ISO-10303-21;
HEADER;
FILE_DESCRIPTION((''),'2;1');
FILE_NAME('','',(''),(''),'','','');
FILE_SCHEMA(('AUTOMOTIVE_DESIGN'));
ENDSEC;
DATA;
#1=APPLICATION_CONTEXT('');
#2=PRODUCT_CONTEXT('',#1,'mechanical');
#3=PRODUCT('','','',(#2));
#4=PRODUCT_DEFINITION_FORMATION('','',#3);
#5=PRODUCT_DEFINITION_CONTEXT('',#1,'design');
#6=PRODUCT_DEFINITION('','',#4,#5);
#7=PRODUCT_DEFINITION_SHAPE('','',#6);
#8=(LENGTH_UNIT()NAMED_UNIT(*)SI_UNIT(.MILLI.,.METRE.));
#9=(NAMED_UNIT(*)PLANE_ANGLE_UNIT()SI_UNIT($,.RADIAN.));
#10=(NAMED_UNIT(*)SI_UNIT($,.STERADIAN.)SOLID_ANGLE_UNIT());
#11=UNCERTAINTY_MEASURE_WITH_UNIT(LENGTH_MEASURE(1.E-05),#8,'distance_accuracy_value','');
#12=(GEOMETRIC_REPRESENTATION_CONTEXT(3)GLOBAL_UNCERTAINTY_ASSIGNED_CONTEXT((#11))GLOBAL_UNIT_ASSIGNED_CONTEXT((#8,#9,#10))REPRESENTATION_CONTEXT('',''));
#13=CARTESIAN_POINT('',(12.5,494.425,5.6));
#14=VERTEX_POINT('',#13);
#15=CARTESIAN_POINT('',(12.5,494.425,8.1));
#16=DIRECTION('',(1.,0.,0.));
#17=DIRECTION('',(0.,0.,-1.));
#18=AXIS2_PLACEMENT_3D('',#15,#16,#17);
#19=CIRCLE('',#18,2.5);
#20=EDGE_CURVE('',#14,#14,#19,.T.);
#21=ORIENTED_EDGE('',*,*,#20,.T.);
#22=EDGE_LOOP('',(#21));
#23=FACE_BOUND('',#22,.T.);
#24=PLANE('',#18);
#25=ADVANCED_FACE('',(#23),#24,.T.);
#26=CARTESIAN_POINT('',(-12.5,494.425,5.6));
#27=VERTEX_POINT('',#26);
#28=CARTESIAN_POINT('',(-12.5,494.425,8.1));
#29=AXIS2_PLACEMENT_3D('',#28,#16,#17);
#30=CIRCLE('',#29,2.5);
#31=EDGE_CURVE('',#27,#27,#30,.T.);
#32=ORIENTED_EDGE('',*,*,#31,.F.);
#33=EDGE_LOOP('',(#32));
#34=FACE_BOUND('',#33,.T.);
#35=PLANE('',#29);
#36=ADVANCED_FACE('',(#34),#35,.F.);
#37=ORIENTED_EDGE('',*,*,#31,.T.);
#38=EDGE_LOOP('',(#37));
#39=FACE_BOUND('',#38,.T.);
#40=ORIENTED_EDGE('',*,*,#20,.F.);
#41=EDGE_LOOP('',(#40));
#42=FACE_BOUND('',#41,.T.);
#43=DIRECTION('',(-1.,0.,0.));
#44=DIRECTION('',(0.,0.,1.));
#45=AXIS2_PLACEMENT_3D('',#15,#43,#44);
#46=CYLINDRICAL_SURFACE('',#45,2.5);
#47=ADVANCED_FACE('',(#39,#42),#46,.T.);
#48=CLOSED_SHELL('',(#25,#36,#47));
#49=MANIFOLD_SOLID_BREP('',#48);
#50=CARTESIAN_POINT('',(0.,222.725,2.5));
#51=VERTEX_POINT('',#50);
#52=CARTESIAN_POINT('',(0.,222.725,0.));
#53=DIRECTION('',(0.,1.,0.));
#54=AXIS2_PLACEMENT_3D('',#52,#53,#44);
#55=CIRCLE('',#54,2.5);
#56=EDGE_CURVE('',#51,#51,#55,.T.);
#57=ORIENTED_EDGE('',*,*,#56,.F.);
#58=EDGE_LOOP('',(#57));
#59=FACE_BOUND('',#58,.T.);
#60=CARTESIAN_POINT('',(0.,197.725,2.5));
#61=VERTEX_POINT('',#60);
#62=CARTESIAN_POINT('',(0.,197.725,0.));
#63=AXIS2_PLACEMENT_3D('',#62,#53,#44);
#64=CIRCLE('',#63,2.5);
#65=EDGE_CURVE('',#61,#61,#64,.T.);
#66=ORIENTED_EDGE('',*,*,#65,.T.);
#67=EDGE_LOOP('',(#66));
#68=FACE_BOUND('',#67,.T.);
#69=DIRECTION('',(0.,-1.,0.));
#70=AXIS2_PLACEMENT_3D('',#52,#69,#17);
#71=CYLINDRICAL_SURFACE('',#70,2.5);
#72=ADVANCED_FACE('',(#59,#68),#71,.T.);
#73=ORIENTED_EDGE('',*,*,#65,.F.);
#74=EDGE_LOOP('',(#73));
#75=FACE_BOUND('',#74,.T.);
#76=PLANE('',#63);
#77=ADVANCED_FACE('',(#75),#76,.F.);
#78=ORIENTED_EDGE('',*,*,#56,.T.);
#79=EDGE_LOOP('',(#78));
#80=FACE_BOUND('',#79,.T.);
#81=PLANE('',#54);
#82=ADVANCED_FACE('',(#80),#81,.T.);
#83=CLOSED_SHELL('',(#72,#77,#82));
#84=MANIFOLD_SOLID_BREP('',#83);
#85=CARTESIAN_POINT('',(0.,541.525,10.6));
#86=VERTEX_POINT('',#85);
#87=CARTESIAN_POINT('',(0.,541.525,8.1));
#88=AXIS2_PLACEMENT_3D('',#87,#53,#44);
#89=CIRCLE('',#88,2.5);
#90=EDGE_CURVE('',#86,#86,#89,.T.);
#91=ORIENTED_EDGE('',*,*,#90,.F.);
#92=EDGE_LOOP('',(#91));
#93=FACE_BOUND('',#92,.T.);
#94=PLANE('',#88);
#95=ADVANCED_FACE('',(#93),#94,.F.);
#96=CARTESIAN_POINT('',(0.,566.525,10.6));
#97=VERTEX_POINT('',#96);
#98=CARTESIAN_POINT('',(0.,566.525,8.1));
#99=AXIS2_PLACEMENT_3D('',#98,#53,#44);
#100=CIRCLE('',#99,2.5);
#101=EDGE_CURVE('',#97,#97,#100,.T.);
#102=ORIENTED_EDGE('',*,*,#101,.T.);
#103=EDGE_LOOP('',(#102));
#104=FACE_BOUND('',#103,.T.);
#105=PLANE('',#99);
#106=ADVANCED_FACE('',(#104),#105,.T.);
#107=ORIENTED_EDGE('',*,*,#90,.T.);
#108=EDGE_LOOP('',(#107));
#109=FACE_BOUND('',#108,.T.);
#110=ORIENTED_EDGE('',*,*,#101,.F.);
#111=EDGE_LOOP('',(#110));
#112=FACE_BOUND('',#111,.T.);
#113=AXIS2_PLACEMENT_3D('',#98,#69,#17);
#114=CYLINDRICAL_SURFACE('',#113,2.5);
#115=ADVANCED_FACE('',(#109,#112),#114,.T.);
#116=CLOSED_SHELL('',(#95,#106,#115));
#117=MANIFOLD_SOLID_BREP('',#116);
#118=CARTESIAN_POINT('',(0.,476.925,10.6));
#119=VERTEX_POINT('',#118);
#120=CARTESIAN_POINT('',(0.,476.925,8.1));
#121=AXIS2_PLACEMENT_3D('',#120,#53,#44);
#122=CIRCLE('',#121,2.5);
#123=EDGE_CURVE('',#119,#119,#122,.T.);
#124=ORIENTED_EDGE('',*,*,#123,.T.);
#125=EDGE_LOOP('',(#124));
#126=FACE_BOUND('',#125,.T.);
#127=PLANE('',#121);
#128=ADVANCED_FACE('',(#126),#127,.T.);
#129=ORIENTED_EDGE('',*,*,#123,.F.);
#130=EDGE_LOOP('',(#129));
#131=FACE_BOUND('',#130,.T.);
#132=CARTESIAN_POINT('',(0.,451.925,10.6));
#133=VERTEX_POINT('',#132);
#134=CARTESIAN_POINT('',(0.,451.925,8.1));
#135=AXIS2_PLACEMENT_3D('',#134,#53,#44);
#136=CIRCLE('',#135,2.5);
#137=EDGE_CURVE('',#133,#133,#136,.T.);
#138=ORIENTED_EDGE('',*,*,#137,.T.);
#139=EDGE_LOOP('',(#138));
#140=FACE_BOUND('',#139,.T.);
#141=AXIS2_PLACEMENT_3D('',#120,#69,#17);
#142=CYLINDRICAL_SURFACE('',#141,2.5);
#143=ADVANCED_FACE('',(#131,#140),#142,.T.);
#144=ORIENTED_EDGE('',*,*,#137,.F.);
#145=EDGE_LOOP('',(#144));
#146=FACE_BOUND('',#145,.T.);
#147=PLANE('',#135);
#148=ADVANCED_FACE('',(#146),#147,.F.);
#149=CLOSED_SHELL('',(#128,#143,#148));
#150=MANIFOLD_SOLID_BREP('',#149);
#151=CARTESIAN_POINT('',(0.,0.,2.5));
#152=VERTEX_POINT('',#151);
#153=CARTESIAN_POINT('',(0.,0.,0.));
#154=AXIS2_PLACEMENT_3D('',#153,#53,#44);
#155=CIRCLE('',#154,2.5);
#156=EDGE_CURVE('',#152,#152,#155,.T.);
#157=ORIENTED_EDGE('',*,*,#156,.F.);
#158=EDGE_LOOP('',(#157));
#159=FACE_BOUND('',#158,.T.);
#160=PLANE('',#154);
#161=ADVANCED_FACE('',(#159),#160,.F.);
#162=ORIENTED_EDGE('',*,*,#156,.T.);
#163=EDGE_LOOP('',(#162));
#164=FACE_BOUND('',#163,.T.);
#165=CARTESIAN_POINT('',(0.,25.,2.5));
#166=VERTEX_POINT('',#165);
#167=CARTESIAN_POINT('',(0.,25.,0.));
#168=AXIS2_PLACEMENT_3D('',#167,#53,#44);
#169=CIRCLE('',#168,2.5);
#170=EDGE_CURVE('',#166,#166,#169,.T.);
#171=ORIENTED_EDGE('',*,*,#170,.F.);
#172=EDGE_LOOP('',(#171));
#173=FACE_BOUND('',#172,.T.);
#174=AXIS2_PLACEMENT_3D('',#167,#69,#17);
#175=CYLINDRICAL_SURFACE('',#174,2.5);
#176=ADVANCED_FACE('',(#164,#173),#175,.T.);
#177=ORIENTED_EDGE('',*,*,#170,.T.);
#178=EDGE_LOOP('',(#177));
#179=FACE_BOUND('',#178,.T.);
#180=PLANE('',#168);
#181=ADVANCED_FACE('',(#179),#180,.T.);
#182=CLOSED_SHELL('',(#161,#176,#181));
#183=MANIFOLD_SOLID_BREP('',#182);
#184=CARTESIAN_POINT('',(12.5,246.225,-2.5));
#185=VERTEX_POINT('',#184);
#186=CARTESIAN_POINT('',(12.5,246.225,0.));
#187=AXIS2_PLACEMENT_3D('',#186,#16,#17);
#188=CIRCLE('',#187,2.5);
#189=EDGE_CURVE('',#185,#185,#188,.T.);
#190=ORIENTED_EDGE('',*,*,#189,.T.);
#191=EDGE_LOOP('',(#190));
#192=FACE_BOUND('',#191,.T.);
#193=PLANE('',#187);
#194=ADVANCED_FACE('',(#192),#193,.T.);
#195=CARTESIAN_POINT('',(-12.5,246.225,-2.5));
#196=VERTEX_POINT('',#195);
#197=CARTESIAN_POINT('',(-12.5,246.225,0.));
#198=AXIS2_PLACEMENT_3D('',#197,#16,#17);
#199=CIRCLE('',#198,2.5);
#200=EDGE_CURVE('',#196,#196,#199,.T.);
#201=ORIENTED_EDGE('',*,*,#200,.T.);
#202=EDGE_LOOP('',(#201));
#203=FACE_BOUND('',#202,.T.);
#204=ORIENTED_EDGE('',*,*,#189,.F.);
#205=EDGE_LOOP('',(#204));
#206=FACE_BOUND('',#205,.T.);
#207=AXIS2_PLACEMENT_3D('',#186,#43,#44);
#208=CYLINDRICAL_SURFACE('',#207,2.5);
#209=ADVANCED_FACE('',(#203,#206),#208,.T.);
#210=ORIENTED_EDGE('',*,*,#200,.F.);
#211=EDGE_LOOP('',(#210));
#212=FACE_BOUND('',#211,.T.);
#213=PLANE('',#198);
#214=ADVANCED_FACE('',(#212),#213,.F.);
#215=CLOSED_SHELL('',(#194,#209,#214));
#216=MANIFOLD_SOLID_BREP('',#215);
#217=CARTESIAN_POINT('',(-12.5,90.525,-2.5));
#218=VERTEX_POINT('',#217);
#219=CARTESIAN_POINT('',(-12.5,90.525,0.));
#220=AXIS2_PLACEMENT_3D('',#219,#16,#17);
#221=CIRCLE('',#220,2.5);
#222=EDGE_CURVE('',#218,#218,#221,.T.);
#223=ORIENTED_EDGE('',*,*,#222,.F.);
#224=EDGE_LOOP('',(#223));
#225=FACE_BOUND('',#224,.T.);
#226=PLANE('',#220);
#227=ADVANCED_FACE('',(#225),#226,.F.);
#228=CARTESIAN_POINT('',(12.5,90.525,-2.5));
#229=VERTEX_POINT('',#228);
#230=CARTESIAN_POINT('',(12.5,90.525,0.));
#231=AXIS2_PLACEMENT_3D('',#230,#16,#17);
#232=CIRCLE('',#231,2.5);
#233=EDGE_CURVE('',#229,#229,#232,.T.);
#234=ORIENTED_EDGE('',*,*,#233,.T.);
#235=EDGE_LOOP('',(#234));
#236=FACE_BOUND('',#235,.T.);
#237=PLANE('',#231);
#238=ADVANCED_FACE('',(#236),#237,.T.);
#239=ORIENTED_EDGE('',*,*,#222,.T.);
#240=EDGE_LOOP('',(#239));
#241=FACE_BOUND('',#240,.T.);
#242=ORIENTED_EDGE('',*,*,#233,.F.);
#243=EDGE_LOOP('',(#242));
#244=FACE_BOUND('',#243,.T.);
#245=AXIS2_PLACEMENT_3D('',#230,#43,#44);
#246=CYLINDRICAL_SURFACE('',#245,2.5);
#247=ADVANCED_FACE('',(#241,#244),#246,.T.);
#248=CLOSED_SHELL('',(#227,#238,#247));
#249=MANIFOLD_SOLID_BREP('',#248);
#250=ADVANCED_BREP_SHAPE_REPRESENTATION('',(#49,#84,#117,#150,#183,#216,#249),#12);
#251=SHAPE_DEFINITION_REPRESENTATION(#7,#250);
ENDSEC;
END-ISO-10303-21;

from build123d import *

# Parameters (mm, degrees)
SKETCH1_R           = 2.5
AXIS_0_AX12_DEPTH   = 25
SKETCH2_R           = 2.5
AXIS_1_EX106_DEPTH  = 12.5
SKETCH3_R           = 2.5
AXIS_2_RX64_1_DEPTH = 12.5
SKETCH4_R           = 2.5
AXIS_3_RX64_2_DEPTH = 12.5
SKETCH5_R           = 2.5
AXIS_4_RX28_1_DEPTH = 12.5
SKETCH6_R           = 2.5
AXIS_5_RX28_2_DEPTH = 12.5
SKETCH7_R           = 2.5
BOSS_EXTRUDE1_DEPTH = 12.5


with BuildPart() as part:
    # Sketch1 → Axis 0 - AX12 (new body)
    with BuildSketch(Plane(origin=(0, 0, 0), x_dir=(1, 0, 0), z_dir=(0, 1, 0))):
        Circle(SKETCH1_R)
    extrude(amount=AXIS_0_AX12_DEPTH)


with BuildPart() as body_2:
    # Sketch2 → Axis 1 - EX106 (new body, symmetric)
    with BuildSketch(Plane(origin=(0, 0, 0), x_dir=(0, 0, -1), z_dir=(1, 0, 0))):
        with Locations((0, 90.525)):
            Circle(SKETCH2_R)
    extrude(amount=AXIS_1_EX106_DEPTH, both=True)


with BuildPart() as body_3:
    # Sketch3 → Axis 2 - RX64 1 (new body, symmetric)
    with BuildSketch(Plane(origin=(0, 210.225, 0), x_dir=(-1, 0, 0), z_dir=(0, 1, 0))):
        Circle(SKETCH3_R)
    extrude(amount=AXIS_2_RX64_1_DEPTH, both=True)


with BuildPart() as body_4:
    # Sketch4 → Axis 3 - RX64 2 (new body, symmetric)
    with BuildSketch(Plane(origin=(0, 0, 0), x_dir=(0, 0, -1), z_dir=(1, 0, 0))):
        with Locations((0, 246.225)):
            Circle(SKETCH4_R)
    extrude(amount=AXIS_3_RX64_2_DEPTH, both=True)


with BuildPart() as body_5:
    # Sketch5 → Axis 4 - RX28 1 (new body, symmetric)
    with BuildSketch(Plane(origin=(0, 464.425, 0), x_dir=(-1, 0, 0), z_dir=(0, 1, 0))):
        with Locations((0, 8.1)):
            Circle(SKETCH5_R)
    extrude(amount=AXIS_4_RX28_1_DEPTH, both=True)


with BuildPart() as body_6:
    # Sketch6 → Axis 5 - RX28 2 (new body, symmetric)
    with BuildSketch(Plane(origin=(0, 0, 0), x_dir=(0, 0, -1), z_dir=(1, 0, 0))):
        with Locations((-8.1, 494.425)):
            Circle(SKETCH6_R)
    extrude(amount=AXIS_5_RX28_2_DEPTH, both=True)


with BuildPart() as body_7:
    # Sketch7 → Boss-Extrude1 (new body, symmetric)
    with BuildSketch(Plane(origin=(0, 554.025, 0), x_dir=(-1, 0, 0), z_dir=(0, 1, 0))):
        with Locations((0, 8.1)):
            Circle(SKETCH7_R)
    extrude(amount=BOSS_EXTRUDE1_DEPTH, both=True)


solid = Compound([part.part, body_2.part, body_3.part, body_4.part, body_5.part, body_6.part, body_7.part])
